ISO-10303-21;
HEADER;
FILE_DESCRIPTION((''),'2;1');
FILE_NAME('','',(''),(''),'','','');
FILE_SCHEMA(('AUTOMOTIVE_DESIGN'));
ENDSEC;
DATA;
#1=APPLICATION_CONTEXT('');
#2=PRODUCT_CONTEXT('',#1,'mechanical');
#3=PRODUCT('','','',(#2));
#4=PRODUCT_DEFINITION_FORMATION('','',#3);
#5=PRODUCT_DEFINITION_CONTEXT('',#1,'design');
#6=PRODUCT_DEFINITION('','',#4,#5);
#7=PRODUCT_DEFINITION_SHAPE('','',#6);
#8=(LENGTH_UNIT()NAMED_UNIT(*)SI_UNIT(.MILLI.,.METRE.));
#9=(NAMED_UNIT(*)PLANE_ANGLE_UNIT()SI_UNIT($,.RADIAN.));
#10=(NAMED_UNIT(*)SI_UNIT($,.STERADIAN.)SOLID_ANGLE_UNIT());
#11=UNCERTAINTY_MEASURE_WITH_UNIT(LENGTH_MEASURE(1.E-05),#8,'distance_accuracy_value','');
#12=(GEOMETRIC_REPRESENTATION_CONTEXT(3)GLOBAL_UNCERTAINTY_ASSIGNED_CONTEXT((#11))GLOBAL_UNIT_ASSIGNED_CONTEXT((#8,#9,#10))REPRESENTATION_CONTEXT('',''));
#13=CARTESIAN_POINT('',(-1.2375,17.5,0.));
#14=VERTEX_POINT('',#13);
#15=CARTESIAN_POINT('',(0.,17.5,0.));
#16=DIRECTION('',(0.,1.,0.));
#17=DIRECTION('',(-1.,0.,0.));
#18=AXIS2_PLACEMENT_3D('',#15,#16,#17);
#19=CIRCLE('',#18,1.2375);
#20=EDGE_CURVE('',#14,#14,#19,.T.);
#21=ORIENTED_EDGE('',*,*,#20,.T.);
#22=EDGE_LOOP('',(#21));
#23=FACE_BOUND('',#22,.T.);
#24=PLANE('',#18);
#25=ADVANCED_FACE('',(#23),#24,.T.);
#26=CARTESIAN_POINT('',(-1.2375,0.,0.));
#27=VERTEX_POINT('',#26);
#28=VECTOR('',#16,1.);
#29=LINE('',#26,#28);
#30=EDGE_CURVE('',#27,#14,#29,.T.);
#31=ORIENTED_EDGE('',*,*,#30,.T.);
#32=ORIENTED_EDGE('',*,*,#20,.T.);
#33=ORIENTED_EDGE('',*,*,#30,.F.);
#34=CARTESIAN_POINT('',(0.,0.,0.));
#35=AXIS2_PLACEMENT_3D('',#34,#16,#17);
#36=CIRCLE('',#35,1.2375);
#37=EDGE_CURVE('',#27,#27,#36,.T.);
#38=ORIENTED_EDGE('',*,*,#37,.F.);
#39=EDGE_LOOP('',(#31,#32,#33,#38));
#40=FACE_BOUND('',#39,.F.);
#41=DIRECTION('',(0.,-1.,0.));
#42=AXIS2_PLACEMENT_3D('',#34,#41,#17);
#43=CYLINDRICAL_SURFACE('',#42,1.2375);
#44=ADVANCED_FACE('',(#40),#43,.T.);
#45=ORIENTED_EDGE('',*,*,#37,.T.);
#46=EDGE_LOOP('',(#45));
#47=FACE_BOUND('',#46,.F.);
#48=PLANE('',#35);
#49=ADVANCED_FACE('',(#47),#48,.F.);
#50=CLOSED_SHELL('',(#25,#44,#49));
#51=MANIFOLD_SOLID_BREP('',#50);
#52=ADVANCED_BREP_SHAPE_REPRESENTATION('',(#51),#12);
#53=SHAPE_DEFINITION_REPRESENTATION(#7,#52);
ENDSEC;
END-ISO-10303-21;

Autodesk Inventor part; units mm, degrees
ref_plane "YZ Plane" through (0, 0, 0) normal (1, 0, 0) x (0, 1, 0)
ref_plane "XZ Plane" through (0, 0, 0) normal (0, 1, 0) x (-1, 0, 0)
ref_plane "XY Plane" through (0, 0, 0) normal (0, 0, 1) x (1, 0, 0)
sketch "Sketch1" plane through (0, 0, 0) normal (0, 1, 0) x (-1, 0, 0)
  circle A0 centre (0, 0) radius 1.2375
  dimension "d0" = 2.475
extrude "Extrusion1" add sketch "Sketch1" along normal blind 17.5
properties part number "Long_removable_nose_peg"
